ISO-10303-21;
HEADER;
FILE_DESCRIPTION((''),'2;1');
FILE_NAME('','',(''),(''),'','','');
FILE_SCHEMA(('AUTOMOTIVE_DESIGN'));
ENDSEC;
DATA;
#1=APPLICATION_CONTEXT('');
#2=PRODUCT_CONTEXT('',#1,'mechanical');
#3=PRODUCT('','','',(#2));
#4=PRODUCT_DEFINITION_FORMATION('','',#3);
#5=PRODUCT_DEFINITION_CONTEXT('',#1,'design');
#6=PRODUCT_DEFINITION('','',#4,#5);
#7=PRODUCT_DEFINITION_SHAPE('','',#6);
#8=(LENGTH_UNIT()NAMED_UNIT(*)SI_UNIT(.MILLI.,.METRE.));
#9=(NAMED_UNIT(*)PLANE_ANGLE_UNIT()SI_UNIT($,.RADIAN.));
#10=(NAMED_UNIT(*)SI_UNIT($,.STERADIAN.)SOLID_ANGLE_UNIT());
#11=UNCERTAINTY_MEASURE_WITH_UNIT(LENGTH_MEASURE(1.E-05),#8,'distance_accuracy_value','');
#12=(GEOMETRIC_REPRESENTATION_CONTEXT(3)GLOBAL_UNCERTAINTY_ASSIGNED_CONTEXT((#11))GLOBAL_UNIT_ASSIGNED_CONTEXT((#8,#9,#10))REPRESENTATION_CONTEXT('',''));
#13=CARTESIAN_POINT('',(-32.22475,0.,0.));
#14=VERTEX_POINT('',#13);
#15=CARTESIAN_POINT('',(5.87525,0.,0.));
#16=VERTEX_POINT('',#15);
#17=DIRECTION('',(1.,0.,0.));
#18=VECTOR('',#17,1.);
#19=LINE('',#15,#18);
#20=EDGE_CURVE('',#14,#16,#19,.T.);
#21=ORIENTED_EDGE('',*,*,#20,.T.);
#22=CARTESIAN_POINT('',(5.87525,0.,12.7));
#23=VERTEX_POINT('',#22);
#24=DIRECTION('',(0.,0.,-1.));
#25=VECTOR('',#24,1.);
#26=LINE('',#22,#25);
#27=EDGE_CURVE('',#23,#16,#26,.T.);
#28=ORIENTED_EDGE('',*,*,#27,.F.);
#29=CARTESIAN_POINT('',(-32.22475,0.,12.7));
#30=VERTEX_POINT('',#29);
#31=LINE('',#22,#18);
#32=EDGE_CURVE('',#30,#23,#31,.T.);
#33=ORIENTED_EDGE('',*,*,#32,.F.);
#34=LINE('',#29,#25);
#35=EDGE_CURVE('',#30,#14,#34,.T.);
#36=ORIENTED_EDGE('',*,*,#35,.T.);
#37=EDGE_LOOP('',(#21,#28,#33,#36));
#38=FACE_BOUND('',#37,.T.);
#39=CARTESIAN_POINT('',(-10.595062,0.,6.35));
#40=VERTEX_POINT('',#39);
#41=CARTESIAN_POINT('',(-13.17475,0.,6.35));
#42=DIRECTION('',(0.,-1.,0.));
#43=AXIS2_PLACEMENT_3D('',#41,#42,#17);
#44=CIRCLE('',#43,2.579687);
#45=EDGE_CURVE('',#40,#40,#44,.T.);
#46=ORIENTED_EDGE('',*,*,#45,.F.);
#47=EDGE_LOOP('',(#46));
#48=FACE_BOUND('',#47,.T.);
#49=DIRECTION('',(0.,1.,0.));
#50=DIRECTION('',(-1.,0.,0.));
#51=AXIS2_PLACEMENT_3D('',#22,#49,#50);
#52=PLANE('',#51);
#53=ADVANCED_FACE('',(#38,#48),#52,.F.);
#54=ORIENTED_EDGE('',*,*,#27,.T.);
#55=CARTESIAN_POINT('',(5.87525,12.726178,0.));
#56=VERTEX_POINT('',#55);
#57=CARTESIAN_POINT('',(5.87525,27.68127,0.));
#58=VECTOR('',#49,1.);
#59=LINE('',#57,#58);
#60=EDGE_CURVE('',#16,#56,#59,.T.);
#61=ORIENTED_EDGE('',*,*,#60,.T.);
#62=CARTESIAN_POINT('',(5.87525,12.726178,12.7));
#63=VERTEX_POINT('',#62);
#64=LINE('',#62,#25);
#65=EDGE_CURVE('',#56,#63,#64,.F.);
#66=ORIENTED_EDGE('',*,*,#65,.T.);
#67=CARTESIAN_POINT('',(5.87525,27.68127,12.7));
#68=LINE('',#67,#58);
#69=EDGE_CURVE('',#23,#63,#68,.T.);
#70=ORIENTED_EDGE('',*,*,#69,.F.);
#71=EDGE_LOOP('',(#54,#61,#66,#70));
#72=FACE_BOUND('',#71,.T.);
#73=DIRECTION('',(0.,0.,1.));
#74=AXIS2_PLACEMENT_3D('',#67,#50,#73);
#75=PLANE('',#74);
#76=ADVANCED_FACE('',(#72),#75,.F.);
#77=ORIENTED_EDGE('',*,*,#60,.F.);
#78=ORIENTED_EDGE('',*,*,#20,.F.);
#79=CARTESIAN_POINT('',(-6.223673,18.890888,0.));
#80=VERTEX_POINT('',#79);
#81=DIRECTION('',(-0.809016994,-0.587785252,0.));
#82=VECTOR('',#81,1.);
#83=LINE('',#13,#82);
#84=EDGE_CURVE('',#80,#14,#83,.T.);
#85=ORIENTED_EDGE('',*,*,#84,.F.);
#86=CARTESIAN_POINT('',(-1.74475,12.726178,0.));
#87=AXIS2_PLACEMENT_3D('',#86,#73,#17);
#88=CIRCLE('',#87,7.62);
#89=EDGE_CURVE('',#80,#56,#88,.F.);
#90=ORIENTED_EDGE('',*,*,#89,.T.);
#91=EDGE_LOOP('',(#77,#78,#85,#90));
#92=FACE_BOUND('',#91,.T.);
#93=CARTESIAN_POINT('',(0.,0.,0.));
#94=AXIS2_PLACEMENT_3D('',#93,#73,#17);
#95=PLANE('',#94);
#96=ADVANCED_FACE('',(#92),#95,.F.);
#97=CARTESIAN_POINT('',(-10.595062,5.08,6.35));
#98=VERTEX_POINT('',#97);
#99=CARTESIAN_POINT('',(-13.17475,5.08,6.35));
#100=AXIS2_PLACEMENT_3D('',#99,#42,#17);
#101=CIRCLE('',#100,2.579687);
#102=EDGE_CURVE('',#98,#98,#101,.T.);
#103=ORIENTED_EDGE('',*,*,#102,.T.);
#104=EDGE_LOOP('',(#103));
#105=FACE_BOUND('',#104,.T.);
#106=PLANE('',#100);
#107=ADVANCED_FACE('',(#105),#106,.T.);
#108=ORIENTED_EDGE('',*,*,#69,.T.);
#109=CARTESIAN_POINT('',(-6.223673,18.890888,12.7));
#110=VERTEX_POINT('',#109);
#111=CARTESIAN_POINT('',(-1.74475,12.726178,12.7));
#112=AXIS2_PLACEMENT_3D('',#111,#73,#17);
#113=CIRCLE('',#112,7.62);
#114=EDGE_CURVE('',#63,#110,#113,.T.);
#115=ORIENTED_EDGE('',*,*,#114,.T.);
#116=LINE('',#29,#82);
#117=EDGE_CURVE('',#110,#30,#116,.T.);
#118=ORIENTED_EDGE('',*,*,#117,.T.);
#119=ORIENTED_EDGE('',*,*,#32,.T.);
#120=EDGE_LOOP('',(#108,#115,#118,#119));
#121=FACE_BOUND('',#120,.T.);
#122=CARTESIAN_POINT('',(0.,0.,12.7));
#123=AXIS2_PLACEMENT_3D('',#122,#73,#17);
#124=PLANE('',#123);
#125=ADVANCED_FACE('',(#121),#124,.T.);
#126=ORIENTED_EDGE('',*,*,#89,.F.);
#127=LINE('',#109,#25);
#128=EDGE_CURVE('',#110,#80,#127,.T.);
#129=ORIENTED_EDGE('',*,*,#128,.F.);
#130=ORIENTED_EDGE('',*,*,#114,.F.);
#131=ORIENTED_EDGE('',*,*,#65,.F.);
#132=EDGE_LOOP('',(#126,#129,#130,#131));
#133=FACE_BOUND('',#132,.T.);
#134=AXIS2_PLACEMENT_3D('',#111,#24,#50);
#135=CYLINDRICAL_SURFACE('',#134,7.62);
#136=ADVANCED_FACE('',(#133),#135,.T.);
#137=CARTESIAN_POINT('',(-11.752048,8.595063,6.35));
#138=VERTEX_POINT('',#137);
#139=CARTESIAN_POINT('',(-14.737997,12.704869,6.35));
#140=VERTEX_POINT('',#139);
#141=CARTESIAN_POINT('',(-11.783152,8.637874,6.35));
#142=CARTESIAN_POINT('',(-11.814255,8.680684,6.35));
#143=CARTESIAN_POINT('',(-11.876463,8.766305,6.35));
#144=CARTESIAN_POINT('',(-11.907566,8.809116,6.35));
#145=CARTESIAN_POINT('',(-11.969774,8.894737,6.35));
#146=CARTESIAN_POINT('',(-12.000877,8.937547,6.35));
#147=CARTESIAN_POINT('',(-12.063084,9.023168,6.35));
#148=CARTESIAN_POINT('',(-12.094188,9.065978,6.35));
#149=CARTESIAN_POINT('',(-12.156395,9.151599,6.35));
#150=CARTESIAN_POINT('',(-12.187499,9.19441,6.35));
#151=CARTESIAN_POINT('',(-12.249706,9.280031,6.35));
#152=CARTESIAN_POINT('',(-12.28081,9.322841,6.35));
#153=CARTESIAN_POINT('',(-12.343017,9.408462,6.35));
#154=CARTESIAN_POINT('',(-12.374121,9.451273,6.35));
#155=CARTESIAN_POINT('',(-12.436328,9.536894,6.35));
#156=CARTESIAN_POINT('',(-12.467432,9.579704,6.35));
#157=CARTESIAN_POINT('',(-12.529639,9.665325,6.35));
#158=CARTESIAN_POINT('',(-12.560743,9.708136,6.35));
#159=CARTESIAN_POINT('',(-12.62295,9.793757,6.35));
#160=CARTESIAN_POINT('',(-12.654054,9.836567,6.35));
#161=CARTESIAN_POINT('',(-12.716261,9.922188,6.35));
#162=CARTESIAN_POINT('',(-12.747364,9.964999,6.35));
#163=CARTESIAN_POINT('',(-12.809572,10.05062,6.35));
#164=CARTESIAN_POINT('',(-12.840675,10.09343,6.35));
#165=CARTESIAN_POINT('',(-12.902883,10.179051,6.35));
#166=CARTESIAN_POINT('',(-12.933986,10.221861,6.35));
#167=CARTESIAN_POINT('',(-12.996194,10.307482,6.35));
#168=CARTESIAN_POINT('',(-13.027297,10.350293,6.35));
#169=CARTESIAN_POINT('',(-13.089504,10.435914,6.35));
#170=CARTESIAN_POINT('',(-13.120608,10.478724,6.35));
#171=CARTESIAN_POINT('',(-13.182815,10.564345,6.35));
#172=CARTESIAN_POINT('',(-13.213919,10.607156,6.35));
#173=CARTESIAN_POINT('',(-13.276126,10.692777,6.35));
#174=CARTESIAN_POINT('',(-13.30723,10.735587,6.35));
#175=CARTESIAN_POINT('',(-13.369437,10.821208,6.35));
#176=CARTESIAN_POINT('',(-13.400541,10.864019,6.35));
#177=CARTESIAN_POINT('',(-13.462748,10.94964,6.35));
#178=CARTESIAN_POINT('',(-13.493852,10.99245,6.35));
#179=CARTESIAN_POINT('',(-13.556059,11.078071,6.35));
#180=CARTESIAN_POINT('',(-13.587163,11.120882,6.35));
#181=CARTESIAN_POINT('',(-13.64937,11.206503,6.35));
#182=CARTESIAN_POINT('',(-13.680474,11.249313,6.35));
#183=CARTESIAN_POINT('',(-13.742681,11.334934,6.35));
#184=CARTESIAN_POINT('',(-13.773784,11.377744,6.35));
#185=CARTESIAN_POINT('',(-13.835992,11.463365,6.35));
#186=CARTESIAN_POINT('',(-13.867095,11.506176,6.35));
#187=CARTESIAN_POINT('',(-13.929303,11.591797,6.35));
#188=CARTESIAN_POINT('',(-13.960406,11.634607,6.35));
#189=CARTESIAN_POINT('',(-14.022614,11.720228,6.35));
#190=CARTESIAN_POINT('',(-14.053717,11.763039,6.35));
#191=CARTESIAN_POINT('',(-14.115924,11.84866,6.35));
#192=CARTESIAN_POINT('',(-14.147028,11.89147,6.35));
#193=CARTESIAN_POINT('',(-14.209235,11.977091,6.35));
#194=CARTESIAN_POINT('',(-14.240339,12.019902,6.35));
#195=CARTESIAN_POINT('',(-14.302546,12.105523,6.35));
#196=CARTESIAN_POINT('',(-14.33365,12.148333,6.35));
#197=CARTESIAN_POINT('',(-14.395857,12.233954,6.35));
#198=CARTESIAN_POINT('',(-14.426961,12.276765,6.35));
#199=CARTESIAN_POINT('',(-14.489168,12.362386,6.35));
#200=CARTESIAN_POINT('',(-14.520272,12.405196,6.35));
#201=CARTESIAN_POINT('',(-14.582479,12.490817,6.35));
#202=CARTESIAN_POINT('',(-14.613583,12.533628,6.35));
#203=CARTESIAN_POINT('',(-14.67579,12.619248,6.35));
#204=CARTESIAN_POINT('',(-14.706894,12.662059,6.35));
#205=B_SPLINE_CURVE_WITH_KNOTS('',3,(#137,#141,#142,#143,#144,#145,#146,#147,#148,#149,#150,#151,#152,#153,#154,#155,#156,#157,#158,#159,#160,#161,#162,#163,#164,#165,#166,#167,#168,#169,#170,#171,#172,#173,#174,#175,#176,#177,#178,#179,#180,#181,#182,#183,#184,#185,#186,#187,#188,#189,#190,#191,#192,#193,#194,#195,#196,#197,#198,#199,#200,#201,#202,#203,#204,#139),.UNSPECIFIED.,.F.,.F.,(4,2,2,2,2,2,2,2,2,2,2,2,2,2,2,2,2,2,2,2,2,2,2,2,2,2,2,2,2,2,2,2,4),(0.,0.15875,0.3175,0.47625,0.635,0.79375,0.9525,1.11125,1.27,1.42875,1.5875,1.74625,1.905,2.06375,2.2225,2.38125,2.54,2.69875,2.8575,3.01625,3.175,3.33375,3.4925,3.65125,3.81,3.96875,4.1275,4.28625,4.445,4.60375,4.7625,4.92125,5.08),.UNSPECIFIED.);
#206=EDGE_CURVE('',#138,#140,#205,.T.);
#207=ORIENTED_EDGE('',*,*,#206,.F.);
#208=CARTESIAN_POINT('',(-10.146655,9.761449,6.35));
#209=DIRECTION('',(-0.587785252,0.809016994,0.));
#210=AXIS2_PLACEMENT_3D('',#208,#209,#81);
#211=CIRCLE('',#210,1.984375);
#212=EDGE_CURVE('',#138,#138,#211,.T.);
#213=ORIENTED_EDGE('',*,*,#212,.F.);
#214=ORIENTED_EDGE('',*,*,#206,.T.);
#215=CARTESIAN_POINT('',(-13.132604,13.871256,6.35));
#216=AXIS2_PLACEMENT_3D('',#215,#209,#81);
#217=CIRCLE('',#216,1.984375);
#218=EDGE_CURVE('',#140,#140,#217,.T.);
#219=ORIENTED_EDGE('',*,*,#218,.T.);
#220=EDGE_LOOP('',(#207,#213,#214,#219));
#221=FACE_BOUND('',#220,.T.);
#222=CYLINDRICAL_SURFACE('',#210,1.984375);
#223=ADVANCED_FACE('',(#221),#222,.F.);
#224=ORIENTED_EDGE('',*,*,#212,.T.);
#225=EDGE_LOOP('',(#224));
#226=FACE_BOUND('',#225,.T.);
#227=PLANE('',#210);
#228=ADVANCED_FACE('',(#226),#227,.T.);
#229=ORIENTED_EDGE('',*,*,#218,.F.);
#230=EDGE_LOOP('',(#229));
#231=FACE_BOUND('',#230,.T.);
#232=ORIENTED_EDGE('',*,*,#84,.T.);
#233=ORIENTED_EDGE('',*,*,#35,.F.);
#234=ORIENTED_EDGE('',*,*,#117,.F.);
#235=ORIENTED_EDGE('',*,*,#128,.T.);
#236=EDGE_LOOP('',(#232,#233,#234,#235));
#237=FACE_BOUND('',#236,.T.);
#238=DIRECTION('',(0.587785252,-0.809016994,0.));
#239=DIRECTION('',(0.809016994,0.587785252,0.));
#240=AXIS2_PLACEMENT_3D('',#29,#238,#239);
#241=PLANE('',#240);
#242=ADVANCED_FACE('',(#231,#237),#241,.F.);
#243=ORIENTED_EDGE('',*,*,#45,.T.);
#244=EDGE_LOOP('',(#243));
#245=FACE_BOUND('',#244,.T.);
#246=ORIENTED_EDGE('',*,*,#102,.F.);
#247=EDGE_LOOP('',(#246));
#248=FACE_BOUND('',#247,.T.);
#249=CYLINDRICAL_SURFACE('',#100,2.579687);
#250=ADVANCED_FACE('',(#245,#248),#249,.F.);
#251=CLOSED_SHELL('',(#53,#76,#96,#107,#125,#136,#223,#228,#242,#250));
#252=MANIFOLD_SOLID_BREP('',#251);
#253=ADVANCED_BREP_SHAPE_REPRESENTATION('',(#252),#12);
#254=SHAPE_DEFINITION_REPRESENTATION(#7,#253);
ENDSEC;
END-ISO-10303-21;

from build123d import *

# Parameters (mm, degrees)
BOSS_EXTRUDE1_DEPTH = 12.7
SKETCH2_R           = 2.5796875
CUT_EXTRUDE1_DEPTH  = 5.08
SKETCH3_R           = 1.984375
CUT_EXTRUDE2_DEPTH  = 5.08
FILLET1_R           = 7.62


with BuildPart() as part:
    # Sketch1 → Boss-Extrude1 (new body)
    with BuildSketch(Plane.XY):
        Polygon((-32.22474981, 0), (5.87525019, 27.681270317), (5.87525019, 0), align=None)
    extrude(amount=BOSS_EXTRUDE1_DEPTH)

    # Sketch2 → Cut-Extrude1 (cut)
    with BuildSketch(Plane.XZ):
        with Locations((-13.17474981, 6.35)):
            Circle(SKETCH2_R)
    extrude(amount=-CUT_EXTRUDE1_DEPTH, mode=Mode.SUBTRACT)

    # Sketch3 → Cut-Extrude2 (cut)
    with BuildSketch(Plane(origin=(-11.13337724, 15.323779146, 0), x_dir=(0.8090169943749507, 0.5877852522924687, 0), z_dir=(-0.5877852522924687, 0.8090169943749507, 0))):
        with Locations(Location((-2.471180293, -6.35, 0), (0, 0, 180))):
            Circle(SKETCH3_R)
    extrude(amount=-CUT_EXTRUDE2_DEPTH, mode=Mode.SUBTRACT)

    # Fillet1
    fillet1_edges = [part.edges().sort_by_distance(p)[0] for p in [
        (5.87525019, 27.681270317, 6.35),
    ]]
    fillet(fillet1_edges, radius=FILLET1_R)


solid = part.part
